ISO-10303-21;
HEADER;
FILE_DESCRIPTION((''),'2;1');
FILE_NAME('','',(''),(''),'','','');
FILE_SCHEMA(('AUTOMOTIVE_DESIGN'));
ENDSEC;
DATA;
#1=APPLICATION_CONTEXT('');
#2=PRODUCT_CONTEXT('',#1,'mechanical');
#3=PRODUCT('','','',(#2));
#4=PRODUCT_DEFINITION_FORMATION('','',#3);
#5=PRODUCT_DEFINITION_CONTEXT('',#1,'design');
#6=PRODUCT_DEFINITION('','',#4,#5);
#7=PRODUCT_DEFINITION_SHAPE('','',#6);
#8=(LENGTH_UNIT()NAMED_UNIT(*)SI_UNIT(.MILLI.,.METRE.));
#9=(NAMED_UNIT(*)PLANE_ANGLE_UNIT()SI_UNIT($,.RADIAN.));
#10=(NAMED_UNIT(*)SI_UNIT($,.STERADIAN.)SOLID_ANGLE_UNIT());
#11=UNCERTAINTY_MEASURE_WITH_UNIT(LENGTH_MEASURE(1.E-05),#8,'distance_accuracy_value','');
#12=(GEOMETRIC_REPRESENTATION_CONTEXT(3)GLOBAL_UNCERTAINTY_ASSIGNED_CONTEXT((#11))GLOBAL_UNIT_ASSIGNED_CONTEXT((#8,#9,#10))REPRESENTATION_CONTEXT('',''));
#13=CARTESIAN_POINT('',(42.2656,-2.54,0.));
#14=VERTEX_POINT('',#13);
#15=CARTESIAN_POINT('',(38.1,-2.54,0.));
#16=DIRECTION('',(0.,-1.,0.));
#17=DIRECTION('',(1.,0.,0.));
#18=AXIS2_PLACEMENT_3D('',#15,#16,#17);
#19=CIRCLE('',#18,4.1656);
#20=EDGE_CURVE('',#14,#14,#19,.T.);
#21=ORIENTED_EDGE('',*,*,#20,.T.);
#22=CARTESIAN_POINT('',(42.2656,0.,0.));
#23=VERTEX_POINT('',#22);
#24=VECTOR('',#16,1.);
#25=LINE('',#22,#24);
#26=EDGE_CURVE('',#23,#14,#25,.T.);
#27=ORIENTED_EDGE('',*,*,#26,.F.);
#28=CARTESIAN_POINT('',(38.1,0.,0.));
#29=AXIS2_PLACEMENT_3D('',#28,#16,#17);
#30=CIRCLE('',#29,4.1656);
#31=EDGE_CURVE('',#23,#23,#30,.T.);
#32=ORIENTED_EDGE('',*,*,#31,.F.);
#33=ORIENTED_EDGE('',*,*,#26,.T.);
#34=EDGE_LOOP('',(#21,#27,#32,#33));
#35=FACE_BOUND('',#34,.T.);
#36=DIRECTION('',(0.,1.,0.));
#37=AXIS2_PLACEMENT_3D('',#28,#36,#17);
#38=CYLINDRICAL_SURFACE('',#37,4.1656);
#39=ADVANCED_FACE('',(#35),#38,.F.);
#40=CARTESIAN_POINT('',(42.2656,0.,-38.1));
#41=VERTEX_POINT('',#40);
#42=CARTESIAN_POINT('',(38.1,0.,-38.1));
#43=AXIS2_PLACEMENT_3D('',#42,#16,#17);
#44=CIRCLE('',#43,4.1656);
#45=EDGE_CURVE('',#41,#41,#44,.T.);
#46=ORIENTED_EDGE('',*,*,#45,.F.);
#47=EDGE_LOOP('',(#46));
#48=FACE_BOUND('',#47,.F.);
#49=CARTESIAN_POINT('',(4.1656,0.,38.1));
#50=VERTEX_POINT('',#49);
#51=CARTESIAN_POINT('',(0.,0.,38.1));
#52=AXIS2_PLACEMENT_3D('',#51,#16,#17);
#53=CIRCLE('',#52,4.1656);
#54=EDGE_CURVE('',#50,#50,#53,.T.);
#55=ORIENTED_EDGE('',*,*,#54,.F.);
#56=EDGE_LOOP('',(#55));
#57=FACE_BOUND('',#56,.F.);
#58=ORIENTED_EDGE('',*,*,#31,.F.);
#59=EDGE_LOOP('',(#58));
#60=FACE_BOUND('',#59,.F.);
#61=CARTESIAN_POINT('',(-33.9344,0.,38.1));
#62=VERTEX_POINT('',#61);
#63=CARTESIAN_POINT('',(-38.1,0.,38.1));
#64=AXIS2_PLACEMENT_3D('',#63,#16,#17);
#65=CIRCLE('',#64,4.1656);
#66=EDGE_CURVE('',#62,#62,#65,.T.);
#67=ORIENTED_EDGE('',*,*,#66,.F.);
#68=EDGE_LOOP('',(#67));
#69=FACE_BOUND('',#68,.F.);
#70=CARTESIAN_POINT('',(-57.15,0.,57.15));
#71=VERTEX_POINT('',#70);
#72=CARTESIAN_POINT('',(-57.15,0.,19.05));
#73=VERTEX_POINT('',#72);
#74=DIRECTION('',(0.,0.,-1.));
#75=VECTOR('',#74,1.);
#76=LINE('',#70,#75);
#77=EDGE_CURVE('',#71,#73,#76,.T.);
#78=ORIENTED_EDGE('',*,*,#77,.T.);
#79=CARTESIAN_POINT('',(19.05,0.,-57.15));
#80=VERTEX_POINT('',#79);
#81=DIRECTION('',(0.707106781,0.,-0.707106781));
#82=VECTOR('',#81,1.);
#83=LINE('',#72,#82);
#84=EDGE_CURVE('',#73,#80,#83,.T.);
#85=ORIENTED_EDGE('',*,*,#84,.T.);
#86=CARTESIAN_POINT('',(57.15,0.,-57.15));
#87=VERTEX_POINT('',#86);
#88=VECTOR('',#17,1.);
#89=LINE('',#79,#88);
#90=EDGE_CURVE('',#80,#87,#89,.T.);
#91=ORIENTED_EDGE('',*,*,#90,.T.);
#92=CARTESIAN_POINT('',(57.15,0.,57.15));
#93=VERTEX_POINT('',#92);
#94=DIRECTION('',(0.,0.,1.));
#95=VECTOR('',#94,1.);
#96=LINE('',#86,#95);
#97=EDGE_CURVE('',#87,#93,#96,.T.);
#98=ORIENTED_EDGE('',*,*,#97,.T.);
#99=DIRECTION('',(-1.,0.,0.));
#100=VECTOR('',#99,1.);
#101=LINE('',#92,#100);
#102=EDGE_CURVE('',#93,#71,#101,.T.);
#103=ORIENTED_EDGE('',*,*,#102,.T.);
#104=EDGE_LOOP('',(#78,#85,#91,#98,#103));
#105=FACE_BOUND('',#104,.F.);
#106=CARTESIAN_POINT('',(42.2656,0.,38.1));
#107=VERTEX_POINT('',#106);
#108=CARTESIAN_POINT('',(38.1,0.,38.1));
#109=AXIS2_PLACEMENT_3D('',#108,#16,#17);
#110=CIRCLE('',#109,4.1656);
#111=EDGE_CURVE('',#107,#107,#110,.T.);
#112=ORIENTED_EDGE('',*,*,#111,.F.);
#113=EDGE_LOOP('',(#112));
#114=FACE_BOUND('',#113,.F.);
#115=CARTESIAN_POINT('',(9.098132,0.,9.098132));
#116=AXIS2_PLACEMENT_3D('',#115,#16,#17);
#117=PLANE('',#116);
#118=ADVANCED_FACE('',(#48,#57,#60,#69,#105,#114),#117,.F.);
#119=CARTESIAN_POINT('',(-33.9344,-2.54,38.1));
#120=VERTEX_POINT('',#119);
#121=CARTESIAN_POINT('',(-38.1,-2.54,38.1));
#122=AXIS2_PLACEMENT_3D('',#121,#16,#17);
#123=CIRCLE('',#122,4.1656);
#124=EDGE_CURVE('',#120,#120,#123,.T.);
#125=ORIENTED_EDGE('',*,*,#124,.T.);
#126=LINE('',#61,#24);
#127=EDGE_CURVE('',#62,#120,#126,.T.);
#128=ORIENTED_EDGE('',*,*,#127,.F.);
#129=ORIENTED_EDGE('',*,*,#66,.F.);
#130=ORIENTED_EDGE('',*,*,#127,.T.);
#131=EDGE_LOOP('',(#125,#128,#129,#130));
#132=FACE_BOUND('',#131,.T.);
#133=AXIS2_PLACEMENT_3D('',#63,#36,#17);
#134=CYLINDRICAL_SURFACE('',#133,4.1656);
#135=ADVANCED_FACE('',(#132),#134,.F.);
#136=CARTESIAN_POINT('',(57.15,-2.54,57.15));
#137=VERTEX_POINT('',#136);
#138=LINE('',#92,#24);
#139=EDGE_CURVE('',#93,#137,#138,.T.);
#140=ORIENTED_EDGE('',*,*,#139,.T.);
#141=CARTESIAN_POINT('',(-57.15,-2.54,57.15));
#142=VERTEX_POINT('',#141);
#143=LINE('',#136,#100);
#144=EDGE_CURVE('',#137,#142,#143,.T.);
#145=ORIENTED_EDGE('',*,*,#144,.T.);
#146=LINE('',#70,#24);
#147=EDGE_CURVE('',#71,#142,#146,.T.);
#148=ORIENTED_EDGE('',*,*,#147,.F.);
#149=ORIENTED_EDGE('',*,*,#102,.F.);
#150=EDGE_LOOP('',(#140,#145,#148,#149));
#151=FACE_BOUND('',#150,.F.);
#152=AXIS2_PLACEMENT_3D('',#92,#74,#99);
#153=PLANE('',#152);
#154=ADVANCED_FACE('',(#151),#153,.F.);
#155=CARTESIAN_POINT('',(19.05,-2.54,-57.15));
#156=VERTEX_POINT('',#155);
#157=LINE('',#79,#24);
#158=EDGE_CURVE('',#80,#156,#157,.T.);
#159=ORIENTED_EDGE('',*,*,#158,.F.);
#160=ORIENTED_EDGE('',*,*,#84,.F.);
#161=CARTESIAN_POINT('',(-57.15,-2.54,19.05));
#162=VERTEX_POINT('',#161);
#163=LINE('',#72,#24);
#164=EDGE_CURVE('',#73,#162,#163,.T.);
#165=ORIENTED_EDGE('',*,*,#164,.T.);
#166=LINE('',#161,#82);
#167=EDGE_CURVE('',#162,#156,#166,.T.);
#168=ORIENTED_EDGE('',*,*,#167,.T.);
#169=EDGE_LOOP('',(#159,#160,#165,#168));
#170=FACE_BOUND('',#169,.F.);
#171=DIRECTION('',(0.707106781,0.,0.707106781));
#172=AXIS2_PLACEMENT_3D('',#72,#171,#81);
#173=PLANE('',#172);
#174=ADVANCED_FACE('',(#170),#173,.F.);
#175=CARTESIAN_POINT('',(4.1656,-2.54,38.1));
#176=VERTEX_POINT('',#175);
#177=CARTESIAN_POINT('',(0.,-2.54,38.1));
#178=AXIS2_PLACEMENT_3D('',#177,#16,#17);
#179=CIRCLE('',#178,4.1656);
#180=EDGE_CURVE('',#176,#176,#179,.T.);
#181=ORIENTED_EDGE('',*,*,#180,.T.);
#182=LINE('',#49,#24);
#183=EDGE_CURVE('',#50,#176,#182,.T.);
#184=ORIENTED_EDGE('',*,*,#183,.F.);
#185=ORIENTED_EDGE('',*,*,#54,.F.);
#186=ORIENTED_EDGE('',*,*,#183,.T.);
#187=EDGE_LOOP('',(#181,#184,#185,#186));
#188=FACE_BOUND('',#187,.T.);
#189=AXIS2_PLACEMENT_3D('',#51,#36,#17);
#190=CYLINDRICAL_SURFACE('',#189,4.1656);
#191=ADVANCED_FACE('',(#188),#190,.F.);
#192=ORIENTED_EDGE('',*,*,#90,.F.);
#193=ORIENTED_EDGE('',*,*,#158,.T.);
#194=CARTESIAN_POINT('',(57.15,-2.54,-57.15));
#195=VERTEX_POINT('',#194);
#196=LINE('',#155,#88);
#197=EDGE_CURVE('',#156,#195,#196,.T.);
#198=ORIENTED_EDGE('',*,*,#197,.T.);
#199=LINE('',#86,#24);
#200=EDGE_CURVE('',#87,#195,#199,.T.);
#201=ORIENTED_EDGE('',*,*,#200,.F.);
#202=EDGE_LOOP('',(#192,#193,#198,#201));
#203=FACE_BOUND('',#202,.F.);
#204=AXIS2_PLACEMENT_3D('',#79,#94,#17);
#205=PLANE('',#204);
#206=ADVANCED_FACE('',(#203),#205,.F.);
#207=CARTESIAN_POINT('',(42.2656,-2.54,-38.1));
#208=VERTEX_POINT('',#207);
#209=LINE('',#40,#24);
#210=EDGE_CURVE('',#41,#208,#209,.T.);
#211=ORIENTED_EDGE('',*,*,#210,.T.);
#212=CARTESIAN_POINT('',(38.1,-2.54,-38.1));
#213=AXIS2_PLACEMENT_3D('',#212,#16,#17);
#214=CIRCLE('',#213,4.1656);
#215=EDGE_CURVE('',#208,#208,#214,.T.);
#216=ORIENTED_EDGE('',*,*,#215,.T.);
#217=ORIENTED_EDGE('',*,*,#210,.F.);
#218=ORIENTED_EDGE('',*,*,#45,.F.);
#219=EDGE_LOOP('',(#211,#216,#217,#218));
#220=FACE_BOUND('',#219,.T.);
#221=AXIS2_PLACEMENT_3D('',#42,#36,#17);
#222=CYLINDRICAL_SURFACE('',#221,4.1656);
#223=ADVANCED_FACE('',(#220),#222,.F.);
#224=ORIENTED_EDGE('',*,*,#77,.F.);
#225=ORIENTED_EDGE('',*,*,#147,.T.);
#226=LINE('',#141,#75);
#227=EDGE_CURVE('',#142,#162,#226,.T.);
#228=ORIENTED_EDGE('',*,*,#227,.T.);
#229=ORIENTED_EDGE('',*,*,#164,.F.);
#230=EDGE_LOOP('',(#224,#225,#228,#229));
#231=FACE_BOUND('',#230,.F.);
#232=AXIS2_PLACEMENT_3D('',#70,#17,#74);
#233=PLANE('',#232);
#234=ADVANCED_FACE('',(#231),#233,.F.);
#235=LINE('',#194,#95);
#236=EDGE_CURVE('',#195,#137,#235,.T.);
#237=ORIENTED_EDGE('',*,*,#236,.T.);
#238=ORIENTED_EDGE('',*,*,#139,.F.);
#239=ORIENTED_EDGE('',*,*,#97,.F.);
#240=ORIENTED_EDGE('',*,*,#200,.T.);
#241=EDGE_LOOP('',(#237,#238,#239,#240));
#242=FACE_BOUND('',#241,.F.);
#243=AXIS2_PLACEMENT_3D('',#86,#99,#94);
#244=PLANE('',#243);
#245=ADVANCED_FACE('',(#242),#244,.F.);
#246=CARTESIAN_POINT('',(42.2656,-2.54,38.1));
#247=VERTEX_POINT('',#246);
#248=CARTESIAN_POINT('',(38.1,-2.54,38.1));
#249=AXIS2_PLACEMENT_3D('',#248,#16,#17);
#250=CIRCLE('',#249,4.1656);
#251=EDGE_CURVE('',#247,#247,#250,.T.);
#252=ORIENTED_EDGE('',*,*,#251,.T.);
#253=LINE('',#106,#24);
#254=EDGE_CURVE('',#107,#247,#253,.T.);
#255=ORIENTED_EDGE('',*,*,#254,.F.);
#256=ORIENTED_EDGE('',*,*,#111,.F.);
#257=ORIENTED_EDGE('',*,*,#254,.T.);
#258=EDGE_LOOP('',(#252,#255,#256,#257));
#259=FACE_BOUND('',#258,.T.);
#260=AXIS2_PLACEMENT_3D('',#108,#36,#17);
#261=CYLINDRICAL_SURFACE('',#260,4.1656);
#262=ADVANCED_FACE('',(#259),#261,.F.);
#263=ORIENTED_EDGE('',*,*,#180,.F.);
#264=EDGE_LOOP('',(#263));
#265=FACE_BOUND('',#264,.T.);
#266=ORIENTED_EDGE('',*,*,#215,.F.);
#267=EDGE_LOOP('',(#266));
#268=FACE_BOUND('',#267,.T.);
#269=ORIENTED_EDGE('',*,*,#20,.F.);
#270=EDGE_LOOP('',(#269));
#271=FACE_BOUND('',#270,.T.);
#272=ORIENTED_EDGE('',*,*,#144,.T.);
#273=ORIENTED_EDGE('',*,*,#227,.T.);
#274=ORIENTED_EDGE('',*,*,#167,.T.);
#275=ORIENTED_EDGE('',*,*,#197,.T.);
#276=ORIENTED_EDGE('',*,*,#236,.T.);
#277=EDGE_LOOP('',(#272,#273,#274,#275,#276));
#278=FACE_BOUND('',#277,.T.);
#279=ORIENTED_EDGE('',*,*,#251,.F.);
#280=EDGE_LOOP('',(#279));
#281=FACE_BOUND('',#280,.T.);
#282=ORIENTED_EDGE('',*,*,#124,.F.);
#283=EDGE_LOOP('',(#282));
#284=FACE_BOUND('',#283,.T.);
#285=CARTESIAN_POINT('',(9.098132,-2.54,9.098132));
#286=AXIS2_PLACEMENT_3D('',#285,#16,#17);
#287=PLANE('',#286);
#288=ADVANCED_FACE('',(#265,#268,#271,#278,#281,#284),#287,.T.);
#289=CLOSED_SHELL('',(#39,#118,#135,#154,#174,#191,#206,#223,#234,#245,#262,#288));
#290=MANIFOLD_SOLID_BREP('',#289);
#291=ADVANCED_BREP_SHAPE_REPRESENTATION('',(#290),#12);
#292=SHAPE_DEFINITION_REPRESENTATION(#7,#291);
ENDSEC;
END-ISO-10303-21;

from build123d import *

# Parameters (mm, degrees)
F0_R     = 4.1656
F1_DEPTH = 2.54


with BuildPart() as f1:
    # F0 (on Front) → F1 (new body)
    with BuildSketch(Plane.XZ):
        Polygon((57.15, -57.15), (57.15, 57.15), (-57.15, 57.15), (-57.15, 19.05), (19.05, -57.15), align=None)
        with Locations((38.1, -38.1)):
            Circle(F0_R, mode=Mode.SUBTRACT)
        with Locations((-38.1, 38.1)):
            Circle(F0_R, mode=Mode.SUBTRACT)
        with Locations((38.1, 0)):
            Circle(F0_R, mode=Mode.SUBTRACT)
        with Locations((0, 38.1)):
            Circle(F0_R, mode=Mode.SUBTRACT)
        with Locations((38.1, 38.1)):
            Circle(F0_R, mode=Mode.SUBTRACT)
    extrude(amount=F1_DEPTH)


solid = f1.part
